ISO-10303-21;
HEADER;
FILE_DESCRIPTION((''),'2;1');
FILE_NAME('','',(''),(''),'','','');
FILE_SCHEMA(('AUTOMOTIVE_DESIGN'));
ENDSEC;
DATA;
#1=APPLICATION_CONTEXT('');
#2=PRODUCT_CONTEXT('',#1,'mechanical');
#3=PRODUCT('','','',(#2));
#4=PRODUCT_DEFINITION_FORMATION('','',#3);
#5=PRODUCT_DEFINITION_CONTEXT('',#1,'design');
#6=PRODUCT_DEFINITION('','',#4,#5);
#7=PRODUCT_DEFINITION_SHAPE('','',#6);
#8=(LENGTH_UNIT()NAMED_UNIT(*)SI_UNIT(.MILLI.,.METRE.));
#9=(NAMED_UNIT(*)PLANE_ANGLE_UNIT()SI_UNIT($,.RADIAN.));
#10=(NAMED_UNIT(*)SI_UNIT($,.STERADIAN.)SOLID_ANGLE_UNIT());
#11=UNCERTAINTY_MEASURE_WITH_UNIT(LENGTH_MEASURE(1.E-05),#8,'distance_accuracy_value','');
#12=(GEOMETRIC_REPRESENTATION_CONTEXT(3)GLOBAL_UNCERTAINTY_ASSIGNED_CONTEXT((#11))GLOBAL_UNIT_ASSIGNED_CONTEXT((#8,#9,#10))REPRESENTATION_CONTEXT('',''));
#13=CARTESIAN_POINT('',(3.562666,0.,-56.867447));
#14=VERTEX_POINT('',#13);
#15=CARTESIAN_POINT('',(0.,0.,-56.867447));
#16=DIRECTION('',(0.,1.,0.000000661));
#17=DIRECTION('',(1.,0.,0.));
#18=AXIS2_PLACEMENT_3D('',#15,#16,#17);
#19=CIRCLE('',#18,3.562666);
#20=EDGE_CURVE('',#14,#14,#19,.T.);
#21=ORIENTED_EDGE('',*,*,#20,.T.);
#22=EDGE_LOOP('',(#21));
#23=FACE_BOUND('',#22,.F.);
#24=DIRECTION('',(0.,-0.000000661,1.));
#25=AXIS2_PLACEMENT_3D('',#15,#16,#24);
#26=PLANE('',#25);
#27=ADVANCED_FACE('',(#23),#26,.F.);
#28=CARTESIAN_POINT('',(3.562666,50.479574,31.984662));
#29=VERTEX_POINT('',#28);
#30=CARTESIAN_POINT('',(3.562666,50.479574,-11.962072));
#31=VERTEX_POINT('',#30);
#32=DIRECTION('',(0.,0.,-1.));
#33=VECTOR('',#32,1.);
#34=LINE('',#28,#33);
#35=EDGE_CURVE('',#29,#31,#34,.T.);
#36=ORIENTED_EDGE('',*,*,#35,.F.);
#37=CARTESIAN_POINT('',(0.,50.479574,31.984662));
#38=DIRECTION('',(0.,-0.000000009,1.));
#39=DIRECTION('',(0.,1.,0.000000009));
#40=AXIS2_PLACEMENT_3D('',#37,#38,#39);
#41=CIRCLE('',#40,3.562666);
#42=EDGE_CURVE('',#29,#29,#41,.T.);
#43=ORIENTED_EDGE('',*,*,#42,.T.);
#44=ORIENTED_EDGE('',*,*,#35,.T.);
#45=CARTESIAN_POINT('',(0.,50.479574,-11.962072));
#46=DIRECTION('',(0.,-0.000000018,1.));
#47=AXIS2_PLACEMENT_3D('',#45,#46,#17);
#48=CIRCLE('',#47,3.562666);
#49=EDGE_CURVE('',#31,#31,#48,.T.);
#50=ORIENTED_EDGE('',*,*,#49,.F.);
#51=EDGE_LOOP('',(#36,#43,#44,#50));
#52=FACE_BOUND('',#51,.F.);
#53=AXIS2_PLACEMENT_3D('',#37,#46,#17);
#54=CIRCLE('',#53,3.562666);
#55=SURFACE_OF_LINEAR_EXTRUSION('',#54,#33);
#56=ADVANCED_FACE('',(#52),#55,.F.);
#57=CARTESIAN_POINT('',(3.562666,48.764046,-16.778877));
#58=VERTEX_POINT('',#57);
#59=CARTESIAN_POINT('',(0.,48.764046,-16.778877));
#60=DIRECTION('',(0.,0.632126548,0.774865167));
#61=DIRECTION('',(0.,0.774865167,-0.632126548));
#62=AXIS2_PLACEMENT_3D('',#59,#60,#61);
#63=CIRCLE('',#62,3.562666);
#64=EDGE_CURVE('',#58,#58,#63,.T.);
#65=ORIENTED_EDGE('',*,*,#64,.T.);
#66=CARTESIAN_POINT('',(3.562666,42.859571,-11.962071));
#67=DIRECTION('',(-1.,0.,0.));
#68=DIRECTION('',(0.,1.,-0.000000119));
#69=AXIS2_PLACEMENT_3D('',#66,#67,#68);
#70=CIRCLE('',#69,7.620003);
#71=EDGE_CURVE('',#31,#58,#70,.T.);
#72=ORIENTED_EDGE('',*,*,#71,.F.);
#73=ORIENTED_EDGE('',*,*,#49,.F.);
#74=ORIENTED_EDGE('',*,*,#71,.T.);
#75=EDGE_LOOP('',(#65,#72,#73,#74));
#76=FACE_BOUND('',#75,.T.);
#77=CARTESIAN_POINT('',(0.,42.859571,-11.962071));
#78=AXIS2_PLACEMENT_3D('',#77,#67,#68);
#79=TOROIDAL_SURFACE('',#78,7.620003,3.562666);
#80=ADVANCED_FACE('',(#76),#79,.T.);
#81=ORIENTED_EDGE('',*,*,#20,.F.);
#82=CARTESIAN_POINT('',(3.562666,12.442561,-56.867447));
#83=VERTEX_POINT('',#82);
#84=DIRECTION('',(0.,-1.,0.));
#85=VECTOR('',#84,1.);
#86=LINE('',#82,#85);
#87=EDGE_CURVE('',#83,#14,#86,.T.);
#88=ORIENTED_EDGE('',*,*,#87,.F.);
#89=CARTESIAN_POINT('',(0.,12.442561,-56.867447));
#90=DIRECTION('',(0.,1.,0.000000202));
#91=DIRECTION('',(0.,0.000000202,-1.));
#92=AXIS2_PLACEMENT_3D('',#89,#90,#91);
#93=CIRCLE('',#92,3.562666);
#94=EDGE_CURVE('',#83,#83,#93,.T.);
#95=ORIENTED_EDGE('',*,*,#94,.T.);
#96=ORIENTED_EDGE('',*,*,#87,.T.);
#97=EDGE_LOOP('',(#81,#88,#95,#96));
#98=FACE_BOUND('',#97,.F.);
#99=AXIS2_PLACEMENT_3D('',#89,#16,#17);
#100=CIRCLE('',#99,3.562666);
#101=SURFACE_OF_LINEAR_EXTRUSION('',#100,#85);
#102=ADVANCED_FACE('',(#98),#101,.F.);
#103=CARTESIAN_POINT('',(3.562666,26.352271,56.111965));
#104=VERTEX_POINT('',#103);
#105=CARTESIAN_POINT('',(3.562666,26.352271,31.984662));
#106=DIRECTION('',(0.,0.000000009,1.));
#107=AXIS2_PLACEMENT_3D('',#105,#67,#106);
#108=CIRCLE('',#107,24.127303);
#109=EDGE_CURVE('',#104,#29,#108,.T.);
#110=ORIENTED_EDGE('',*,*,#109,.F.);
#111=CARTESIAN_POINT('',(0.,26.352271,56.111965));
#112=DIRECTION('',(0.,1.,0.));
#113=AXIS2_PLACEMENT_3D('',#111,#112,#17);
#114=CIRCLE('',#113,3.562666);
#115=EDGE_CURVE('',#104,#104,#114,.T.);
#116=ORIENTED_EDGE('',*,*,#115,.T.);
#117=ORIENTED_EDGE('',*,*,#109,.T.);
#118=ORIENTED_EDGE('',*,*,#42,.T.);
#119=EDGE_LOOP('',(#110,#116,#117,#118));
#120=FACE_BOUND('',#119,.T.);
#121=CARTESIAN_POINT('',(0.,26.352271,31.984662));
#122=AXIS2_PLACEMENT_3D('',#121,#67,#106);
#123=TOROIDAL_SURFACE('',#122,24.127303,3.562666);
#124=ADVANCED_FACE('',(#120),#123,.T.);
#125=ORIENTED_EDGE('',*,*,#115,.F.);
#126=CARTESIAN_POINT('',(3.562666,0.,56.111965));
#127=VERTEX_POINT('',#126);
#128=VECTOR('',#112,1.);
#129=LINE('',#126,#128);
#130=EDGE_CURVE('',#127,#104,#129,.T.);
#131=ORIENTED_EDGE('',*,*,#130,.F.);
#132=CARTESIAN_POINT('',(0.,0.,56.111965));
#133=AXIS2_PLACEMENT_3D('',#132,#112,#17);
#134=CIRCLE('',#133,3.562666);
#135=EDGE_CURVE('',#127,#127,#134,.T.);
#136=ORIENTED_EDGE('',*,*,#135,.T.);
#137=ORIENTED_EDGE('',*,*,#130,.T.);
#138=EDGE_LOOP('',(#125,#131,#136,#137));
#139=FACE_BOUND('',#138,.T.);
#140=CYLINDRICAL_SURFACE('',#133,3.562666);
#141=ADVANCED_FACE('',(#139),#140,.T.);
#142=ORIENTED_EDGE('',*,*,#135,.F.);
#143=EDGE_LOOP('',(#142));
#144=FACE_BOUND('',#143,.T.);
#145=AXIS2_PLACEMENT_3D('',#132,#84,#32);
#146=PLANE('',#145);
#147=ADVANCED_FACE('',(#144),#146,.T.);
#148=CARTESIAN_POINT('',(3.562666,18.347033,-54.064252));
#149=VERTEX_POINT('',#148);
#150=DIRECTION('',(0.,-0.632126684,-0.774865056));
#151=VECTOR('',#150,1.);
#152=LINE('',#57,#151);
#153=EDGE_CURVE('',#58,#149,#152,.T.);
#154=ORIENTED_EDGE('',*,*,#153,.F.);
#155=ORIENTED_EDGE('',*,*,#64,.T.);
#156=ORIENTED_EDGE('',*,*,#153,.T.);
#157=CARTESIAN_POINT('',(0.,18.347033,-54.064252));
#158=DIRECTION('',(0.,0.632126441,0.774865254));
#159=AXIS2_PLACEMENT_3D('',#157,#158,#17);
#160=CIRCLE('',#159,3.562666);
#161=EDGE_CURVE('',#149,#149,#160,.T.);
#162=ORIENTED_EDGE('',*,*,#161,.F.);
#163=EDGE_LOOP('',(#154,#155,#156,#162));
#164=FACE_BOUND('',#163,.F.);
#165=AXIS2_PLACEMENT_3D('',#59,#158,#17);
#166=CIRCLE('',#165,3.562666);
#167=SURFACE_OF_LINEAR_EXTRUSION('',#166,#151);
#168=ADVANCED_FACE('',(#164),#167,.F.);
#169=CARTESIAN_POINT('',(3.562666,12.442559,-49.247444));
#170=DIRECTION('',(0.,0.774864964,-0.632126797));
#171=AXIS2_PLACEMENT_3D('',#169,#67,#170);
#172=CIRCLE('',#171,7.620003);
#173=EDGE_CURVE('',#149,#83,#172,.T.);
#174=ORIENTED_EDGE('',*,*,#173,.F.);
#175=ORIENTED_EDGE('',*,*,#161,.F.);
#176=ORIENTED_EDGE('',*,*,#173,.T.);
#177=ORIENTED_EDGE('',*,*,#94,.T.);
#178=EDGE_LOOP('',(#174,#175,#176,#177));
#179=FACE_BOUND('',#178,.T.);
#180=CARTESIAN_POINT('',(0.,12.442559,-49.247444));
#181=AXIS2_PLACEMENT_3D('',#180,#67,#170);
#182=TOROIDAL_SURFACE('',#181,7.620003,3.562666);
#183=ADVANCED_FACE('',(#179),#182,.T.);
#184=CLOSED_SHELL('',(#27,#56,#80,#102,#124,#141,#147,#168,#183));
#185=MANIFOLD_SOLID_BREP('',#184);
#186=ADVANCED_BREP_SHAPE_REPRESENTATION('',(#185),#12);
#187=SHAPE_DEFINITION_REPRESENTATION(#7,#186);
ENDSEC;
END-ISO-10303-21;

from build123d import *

# Parameters (mm, degrees)
F1_R = 3.562666


with BuildPart() as f2:
    # F2: sweep along a path in F0
    with BuildLine(Plane.YZ) as f2_path:
        Line((0, 56.111965), (26.352271, 56.111965))
        ThreePointArc((26.352271, 56.111965), (43.41285, 49.045242), (50.479574, 31.984662))
        Line((50.479574, 31.984662), (50.479574, -11.962072))
        ThreePointArc((50.479574, -11.962072), (50.037891, -14.518664), (48.764046, -16.778877))
        Line((48.764046, -16.778877), (18.347033, -54.064252))
        ThreePointArc((18.347033, -54.064252), (15.710614, -56.131067), (12.442561, -56.867447))
        Line((12.442561, -56.867447), (0, -56.867447))
    # F1 (on Front) → F2 (sweep)
    with BuildSketch(Plane.XZ):
        with Locations((0, 56.111965)):
            Circle(F1_R)
    sweep(path=f2_path.line)


solid = f2.part
